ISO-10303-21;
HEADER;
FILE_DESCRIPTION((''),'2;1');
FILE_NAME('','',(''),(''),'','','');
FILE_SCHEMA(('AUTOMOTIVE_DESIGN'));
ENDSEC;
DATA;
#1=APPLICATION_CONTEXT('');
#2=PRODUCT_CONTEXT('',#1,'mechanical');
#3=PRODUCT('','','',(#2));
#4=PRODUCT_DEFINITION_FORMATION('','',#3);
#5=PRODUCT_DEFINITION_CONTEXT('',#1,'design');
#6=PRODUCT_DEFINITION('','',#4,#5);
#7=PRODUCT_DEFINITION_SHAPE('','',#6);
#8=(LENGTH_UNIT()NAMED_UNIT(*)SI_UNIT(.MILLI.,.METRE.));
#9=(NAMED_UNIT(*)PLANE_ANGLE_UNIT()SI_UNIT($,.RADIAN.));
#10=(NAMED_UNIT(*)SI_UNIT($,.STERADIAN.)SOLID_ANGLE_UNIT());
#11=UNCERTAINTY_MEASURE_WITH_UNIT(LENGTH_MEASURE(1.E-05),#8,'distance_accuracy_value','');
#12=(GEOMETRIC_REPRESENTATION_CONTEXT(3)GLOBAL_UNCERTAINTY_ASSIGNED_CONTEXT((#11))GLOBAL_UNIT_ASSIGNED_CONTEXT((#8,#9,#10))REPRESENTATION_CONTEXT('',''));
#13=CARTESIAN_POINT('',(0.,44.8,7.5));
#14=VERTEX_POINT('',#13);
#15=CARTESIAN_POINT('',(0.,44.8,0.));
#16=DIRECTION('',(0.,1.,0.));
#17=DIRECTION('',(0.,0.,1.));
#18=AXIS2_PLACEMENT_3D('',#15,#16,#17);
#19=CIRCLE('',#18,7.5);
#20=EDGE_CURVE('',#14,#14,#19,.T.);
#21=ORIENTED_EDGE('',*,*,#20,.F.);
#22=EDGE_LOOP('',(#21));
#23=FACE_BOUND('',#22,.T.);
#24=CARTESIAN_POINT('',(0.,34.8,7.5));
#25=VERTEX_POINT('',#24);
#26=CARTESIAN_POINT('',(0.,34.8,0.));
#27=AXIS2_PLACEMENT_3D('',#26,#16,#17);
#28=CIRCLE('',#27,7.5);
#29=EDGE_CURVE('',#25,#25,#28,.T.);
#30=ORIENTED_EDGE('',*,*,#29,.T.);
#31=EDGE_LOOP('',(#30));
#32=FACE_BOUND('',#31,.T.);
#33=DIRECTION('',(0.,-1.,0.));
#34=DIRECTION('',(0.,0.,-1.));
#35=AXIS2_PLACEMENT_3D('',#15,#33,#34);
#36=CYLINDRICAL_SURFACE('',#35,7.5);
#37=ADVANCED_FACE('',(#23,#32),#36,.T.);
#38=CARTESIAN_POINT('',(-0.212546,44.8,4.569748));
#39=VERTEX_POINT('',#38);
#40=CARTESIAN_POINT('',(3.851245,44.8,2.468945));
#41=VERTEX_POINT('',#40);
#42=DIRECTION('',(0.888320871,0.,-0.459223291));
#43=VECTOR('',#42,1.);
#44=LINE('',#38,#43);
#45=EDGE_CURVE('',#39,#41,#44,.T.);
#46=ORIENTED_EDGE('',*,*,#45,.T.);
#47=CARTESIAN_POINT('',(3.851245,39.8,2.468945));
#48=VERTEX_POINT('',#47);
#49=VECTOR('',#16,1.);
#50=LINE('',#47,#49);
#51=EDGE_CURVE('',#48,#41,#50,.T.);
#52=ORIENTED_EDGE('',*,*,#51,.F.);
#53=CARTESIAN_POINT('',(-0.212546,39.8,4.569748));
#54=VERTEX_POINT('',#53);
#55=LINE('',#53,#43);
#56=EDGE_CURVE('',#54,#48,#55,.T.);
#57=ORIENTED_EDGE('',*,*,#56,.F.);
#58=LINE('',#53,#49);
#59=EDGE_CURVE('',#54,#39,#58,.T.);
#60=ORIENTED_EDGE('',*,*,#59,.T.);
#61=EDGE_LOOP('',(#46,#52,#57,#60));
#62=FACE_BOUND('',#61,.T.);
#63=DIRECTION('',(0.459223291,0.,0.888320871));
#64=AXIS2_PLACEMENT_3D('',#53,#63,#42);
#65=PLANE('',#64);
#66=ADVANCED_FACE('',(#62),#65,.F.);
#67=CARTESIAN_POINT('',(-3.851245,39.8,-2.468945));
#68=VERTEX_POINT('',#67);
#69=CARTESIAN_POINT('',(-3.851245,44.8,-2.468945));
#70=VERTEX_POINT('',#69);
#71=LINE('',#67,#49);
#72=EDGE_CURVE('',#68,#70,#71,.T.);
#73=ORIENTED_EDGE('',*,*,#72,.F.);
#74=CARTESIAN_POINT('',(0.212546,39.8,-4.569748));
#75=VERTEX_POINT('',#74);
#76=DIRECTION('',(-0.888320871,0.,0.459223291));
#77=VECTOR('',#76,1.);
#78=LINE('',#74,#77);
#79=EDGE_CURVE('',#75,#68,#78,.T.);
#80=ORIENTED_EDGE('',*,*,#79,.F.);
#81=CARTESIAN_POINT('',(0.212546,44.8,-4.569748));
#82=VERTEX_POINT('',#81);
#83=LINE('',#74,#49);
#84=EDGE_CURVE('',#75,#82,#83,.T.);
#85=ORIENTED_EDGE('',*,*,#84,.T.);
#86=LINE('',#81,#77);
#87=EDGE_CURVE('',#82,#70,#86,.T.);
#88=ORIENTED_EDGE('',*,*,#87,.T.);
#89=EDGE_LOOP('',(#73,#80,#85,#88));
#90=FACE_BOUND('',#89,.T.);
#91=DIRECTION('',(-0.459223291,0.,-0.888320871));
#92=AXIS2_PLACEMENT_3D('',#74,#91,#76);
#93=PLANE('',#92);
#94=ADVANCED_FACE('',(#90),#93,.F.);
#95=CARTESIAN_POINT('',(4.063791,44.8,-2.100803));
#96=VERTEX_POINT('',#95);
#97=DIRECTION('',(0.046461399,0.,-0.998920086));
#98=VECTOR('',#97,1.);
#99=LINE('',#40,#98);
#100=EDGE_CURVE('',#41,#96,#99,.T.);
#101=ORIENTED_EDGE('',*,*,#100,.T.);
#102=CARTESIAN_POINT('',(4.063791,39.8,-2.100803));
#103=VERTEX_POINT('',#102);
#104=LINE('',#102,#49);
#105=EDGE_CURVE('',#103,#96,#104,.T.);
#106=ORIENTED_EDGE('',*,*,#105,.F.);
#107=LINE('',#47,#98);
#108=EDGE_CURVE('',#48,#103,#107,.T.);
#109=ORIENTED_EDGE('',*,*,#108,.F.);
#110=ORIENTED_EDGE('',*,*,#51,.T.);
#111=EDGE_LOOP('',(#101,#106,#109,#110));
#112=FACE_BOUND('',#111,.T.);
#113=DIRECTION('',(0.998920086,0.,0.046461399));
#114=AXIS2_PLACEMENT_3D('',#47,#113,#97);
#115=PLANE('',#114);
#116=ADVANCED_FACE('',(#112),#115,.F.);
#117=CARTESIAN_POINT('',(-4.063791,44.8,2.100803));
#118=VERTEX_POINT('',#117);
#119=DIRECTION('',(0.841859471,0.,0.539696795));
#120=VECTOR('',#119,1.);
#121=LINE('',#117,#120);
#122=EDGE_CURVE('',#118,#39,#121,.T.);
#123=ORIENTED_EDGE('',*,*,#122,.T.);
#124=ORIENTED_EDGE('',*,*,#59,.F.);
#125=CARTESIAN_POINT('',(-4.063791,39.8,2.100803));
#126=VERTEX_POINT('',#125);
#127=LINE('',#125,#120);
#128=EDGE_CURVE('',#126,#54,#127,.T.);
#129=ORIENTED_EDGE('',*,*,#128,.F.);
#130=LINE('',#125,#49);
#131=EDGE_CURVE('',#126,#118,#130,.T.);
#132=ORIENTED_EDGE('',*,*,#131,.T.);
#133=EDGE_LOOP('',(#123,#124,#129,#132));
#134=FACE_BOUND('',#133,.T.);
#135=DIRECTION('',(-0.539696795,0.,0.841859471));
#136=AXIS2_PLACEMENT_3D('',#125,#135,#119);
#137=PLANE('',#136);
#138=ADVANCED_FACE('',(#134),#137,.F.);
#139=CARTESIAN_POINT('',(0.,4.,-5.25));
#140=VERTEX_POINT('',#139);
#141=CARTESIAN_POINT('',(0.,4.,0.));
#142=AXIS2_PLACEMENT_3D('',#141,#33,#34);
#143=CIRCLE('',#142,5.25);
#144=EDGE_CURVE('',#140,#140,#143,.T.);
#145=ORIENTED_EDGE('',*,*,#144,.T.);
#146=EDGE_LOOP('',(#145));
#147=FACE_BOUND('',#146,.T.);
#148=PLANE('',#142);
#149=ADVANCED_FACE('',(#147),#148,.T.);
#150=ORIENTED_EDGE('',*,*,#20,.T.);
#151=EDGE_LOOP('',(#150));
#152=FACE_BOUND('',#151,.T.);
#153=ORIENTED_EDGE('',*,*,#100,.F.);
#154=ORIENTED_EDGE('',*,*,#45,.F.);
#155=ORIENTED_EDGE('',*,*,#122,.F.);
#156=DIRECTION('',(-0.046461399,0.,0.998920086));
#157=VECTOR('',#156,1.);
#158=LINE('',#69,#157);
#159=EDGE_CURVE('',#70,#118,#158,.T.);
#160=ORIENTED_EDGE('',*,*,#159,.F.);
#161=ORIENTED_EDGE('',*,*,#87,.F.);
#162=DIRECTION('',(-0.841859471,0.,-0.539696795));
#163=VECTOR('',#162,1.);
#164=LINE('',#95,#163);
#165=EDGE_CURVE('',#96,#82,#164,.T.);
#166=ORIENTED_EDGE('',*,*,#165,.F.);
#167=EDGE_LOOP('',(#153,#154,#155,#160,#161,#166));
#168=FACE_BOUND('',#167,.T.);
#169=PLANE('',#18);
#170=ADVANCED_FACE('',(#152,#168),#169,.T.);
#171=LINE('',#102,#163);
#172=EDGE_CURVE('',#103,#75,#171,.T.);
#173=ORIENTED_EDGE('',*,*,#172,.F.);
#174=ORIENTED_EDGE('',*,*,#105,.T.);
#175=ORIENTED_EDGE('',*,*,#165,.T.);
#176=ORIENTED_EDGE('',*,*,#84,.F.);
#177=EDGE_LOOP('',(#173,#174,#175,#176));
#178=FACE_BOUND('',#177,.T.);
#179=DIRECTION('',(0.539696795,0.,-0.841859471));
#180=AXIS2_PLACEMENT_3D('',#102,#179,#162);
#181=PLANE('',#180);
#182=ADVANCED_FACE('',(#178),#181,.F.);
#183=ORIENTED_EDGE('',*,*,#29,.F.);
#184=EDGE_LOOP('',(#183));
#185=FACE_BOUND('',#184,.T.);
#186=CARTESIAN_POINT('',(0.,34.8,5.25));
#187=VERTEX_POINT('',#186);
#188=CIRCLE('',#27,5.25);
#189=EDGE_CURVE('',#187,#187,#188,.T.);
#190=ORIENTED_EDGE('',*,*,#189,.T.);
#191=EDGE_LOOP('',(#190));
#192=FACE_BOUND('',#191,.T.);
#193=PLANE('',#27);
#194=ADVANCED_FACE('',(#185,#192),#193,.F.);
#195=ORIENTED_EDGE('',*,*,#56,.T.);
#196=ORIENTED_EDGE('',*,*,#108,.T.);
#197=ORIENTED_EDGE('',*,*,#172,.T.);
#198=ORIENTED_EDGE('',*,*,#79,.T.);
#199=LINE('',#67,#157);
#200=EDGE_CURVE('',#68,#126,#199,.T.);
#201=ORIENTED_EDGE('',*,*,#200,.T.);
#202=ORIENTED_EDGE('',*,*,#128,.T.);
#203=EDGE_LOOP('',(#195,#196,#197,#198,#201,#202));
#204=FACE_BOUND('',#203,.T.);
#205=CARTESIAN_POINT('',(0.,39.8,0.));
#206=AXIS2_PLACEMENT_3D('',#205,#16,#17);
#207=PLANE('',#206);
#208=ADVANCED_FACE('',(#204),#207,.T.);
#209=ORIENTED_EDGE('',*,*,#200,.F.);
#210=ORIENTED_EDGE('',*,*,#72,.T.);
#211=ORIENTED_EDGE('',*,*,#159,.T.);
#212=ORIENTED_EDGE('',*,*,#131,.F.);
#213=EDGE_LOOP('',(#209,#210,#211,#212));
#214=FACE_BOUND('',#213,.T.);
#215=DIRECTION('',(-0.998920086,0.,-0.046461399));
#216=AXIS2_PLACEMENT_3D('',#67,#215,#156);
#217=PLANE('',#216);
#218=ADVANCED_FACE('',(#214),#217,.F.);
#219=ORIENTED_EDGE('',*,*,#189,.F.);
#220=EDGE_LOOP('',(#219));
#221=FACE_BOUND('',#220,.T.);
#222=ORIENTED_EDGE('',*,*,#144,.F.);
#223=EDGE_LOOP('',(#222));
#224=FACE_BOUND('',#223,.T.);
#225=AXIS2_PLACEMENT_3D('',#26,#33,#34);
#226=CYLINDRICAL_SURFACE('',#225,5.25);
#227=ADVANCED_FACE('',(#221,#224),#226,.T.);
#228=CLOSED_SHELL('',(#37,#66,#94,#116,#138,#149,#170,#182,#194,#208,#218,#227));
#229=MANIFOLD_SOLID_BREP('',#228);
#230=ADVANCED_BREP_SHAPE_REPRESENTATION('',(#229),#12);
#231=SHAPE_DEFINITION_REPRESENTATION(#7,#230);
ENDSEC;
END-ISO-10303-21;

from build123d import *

# Parameters (mm, degrees)
ESBO_O1_R                = 5.25
RESSALTO_EXTRUS_O1_DEPTH = 34.8
ESBO_O2_R                = 7.5
RESSALTO_EXTRUS_O2_DEPTH = 10
CORTE_EXTRUS_O1_DEPTH    = 5
ESBO_O4_R                = 5.25
CORTE_EXTRUS_O2_DEPTH    = 4


with BuildPart() as part:
    # Esboço1 → Ressalto-extrusão1 (new body)
    with BuildSketch(Plane(origin=(0, 0, 0), x_dir=(1, 0, 0), z_dir=(0, 1, 0))):
        Circle(ESBO_O1_R)
    extrude(amount=RESSALTO_EXTRUS_O1_DEPTH)

    # Esboço2 → Ressalto-extrusão2 (add)
    with BuildSketch(Plane(origin=(0, 34.8, 0), x_dir=(1, 0, 0), z_dir=(0, 1, 0))):
        Circle(ESBO_O2_R)
    extrude(amount=RESSALTO_EXTRUS_O2_DEPTH)

    # Esboço3 → Corte-extrusão1 (cut)
    with BuildSketch(Plane(origin=(0, 44.8, 0), x_dir=(1, 0, 0), z_dir=(0, 1, 0))):
        Polygon((0.212546418, 4.56974799), (-3.851244639, 2.468944592), (-4.063791057, -2.100803397), (-0.212546418, -4.56974799), (3.851244639, -2.468944592), (4.063791057, 2.100803397), align=None)
    extrude(amount=-CORTE_EXTRUS_O1_DEPTH, mode=Mode.SUBTRACT)

    # Esboço4 → Corte-extrusão2 (cut)
    with BuildSketch(Plane.XZ):
        Circle(ESBO_O4_R)
    extrude(amount=-CORTE_EXTRUS_O2_DEPTH, mode=Mode.SUBTRACT)


solid = part.part
